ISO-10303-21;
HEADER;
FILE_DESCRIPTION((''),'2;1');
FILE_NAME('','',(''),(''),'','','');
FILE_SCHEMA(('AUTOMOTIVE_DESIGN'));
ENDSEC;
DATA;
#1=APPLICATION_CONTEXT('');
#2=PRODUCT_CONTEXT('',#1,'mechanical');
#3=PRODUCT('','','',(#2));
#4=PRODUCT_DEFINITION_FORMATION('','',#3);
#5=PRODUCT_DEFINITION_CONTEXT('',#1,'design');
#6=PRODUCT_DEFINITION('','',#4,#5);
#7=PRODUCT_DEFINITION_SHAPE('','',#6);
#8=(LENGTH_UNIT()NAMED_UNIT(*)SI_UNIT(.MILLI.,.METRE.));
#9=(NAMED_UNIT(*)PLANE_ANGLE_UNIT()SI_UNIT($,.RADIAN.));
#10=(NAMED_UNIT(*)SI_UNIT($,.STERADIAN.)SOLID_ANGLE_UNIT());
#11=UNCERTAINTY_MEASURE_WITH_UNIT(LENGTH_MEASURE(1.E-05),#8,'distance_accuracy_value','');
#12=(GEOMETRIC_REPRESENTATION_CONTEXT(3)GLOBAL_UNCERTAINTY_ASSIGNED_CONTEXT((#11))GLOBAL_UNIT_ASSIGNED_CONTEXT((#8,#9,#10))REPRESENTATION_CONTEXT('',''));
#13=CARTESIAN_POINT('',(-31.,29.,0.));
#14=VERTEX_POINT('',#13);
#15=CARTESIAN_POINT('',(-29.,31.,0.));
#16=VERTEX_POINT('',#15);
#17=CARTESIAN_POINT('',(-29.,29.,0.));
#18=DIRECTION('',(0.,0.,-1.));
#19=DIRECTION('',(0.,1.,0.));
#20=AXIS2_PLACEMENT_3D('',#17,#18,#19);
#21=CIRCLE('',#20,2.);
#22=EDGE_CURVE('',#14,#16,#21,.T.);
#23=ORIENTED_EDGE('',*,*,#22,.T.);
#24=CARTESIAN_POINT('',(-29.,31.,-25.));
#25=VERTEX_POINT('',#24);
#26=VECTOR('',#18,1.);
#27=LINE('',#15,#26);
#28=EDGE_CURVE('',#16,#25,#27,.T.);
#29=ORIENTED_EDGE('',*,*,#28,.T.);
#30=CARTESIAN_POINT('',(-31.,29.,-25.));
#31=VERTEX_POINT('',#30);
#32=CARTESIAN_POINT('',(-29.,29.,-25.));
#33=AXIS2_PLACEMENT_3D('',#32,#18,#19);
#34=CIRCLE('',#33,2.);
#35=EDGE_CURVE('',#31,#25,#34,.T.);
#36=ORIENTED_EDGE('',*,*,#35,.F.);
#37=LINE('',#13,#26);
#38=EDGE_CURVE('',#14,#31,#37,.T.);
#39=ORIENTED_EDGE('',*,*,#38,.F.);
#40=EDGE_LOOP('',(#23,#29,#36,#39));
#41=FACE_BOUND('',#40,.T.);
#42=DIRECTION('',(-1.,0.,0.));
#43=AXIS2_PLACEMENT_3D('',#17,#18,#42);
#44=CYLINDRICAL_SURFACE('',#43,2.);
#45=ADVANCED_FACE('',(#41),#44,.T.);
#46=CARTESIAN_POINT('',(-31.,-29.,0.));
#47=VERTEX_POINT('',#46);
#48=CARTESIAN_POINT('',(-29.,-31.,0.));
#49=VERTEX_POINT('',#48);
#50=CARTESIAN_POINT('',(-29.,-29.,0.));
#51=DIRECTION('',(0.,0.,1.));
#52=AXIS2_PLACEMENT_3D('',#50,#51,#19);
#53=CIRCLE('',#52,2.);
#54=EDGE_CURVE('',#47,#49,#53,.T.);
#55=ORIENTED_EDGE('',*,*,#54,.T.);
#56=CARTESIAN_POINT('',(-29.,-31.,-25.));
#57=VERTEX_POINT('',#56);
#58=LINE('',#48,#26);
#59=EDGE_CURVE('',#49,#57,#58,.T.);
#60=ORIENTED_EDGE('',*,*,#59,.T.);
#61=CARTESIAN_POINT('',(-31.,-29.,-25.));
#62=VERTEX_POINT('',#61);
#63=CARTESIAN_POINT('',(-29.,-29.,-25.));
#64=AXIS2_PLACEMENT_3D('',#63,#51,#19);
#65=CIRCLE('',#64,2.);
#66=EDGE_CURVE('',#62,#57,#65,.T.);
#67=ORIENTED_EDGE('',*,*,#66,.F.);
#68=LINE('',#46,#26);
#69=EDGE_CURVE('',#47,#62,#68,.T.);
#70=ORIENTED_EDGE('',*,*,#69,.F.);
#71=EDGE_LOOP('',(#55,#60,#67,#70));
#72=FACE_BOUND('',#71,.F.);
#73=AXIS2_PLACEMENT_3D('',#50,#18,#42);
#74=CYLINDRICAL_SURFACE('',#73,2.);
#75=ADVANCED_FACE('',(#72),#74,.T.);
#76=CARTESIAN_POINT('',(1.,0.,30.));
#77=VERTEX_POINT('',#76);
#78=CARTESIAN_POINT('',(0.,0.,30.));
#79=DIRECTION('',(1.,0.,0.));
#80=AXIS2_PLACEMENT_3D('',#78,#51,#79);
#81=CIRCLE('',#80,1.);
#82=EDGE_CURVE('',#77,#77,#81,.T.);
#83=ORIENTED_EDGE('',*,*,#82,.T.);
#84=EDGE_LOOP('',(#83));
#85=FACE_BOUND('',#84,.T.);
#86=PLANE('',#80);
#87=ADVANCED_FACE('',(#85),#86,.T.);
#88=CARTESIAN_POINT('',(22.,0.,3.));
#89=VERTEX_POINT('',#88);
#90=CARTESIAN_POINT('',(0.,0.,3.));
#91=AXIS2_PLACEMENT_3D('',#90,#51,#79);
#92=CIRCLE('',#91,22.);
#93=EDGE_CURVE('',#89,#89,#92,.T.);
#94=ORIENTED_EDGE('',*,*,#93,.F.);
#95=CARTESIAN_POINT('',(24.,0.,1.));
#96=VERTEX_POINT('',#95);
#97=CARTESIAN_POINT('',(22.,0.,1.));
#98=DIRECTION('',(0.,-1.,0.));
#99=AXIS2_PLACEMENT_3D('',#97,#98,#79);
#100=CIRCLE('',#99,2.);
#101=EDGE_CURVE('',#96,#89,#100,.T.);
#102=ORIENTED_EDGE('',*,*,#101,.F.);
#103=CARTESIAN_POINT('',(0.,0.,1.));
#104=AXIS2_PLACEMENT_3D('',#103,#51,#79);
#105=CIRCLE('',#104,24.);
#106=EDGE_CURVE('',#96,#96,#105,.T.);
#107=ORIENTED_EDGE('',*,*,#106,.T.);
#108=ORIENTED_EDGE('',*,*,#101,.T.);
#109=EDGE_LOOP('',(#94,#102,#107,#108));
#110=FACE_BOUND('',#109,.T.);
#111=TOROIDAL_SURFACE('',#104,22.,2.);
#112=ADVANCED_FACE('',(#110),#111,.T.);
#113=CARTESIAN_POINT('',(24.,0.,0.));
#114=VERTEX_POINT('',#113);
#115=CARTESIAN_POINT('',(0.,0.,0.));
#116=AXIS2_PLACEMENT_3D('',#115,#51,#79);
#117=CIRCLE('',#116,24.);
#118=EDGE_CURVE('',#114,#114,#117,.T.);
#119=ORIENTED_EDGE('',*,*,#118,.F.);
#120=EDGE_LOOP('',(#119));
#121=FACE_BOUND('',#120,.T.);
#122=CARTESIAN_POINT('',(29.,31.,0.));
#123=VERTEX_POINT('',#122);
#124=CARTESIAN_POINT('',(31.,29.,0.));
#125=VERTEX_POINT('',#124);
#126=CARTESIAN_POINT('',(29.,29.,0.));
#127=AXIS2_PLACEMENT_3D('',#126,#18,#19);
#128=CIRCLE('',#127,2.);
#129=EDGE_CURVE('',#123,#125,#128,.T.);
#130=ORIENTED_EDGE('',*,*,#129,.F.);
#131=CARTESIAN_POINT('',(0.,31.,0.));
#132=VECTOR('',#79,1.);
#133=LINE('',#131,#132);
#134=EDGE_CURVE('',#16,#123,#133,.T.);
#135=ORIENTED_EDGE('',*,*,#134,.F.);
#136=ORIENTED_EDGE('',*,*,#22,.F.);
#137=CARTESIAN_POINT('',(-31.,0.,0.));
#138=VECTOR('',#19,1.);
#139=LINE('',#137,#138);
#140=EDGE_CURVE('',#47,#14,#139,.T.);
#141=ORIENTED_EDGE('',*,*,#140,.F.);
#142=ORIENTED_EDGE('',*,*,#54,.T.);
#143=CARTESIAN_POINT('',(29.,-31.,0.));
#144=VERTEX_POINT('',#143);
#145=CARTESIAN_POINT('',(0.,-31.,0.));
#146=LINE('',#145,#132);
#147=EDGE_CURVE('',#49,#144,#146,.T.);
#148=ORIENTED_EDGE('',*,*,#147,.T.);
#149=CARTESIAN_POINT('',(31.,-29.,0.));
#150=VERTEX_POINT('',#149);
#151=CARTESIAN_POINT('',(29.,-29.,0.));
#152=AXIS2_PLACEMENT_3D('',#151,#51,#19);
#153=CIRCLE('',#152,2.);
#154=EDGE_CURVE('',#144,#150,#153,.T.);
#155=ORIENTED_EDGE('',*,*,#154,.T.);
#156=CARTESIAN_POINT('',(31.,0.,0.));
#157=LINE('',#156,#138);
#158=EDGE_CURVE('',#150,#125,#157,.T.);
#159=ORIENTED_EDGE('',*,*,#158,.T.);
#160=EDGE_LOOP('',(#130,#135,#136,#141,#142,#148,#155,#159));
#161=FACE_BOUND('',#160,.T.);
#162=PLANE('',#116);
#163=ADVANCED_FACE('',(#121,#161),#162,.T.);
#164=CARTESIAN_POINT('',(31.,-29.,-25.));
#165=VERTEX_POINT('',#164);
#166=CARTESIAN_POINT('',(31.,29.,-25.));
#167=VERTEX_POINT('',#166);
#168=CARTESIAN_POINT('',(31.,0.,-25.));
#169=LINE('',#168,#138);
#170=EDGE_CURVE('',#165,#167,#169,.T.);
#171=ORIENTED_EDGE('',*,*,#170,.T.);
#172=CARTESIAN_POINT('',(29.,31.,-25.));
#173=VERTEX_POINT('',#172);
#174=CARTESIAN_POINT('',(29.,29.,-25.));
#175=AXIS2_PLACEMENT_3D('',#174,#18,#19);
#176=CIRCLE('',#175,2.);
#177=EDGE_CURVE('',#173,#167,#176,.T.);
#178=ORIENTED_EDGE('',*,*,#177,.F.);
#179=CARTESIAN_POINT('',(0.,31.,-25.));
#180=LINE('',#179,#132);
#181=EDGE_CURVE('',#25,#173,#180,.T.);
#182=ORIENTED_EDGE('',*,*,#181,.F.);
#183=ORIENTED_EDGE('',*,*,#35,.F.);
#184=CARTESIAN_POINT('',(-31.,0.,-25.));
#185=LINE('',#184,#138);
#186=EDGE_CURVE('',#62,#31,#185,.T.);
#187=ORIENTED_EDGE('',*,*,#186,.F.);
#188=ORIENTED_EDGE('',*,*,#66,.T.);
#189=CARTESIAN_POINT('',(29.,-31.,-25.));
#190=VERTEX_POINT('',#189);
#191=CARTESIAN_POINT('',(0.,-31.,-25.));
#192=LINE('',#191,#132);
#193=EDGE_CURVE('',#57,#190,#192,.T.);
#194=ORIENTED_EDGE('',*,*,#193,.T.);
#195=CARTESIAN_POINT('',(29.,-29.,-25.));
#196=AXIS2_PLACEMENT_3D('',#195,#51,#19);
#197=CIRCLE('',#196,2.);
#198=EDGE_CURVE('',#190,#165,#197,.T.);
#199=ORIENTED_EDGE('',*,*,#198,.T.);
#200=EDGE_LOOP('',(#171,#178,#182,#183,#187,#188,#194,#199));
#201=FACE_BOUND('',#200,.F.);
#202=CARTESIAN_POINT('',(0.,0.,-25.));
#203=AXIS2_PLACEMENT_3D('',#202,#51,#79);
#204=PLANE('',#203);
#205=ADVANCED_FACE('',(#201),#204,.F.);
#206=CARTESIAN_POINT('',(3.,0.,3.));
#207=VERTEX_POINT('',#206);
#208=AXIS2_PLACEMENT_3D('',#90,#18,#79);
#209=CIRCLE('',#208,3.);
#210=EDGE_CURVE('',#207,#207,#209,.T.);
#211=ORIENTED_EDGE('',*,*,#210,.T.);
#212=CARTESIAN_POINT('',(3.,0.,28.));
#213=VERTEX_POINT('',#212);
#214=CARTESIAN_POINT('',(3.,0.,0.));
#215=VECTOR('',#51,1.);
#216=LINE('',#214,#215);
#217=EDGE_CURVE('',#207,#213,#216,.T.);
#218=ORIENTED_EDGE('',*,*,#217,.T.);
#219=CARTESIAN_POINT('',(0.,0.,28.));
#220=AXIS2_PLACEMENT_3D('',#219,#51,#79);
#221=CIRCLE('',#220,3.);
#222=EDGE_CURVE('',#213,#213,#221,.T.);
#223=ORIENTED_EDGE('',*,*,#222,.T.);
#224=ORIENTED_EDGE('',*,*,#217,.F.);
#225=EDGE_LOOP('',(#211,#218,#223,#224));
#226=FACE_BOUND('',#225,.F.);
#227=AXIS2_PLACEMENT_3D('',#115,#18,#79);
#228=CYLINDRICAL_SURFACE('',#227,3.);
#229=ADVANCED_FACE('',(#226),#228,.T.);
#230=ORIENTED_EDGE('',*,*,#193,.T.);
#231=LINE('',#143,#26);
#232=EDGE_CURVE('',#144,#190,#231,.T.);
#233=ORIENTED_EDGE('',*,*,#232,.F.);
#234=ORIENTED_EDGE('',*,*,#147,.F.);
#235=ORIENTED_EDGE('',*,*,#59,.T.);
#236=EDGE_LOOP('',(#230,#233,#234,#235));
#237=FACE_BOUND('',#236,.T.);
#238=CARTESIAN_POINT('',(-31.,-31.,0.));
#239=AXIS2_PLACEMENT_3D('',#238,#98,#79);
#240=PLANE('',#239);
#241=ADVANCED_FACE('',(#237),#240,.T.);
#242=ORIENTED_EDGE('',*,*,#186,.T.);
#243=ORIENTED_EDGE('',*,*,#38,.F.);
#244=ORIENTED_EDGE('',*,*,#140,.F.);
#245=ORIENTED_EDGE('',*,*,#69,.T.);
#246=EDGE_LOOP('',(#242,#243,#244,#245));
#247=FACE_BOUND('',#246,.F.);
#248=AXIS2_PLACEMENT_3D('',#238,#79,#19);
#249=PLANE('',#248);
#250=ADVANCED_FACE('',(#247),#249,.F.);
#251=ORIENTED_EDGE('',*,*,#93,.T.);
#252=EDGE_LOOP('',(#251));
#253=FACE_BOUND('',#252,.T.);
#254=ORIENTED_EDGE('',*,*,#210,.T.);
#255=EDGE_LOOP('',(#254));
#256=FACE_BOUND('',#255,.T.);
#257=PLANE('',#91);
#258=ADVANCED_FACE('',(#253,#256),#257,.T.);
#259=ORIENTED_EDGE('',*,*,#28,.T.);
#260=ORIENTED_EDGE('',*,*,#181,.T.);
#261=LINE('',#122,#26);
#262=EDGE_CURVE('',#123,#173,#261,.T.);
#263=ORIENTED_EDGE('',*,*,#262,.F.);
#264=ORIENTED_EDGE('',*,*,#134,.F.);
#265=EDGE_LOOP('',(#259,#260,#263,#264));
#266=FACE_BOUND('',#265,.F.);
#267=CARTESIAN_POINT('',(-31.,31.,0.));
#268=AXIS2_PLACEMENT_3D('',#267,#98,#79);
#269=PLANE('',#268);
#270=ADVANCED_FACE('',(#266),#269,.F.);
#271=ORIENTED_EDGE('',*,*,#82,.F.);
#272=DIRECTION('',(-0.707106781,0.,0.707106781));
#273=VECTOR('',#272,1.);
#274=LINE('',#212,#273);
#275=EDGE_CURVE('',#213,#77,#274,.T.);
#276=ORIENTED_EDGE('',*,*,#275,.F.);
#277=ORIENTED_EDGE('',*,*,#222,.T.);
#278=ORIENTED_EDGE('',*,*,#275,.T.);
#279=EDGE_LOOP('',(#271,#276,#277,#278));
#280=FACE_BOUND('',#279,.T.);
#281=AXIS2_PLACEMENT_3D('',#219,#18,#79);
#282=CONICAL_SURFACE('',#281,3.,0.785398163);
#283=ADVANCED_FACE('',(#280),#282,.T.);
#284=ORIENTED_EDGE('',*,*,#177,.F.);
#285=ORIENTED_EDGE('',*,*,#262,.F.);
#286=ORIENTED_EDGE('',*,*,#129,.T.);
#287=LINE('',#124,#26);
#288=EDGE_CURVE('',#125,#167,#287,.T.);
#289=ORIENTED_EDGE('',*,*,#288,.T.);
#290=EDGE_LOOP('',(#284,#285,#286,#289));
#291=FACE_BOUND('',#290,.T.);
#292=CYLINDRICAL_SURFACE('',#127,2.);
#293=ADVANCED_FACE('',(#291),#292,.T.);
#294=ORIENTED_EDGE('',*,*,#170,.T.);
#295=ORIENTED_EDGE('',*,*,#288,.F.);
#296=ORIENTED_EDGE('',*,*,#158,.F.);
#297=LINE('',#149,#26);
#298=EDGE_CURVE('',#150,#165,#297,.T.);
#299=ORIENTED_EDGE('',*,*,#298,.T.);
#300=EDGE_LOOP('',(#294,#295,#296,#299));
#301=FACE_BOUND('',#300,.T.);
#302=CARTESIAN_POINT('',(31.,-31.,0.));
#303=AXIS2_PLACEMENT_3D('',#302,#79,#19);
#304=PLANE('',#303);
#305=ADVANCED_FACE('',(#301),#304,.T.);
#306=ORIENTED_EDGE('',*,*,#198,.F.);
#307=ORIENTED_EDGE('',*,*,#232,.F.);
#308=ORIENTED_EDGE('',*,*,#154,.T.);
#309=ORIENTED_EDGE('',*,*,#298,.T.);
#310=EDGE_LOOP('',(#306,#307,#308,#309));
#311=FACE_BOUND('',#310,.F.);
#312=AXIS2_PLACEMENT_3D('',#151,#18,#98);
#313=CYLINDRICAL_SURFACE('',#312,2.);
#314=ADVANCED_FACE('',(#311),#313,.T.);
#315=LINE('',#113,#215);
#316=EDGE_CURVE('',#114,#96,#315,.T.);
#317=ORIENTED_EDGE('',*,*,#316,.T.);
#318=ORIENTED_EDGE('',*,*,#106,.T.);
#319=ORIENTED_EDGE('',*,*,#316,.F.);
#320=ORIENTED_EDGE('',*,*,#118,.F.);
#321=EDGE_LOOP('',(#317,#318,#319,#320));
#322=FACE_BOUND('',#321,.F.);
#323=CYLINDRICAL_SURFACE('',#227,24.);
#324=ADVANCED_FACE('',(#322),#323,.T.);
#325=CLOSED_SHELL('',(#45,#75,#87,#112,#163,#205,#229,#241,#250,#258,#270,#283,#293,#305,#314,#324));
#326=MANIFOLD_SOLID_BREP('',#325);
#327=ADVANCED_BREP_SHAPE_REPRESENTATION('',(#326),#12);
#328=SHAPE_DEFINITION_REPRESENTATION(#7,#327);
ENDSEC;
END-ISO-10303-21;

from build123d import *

# Parameters (mm, degrees)
F0_R     = 24
F0_R_2   = 3
F1_DEPTH = 3
F2_DEPTH = 30
F0_W     = 62
F0_H     = 62
F3_DEPTH = 25
F4_R     = 2
F5_R     = 2
F6_SIZE  = 2


with BuildPart() as f1:
    # F0 (on Top) → F1 (new body)
    with BuildSketch(Plane.XY):
        Circle(F0_R)
        Circle(F0_R_2, mode=Mode.SUBTRACT)
        Circle(F0_R_2)
    extrude(amount=F1_DEPTH)

    # F0 (on Top) → F2 (join)
    with BuildSketch(Plane.XY):
        Circle(F0_R_2)
    extrude(amount=F2_DEPTH)

    # F0 (on Top) → F3 (join)
    with BuildSketch(Plane.XY):
        Rectangle(F0_W, F0_H)
        Circle(F0_R, mode=Mode.SUBTRACT)
        Circle(F0_R)
        Circle(F0_R_2, mode=Mode.SUBTRACT)
        Circle(F0_R_2)
    extrude(amount=-F3_DEPTH)

    # F4
    f4_edges = [f1.edges().sort_by_distance(p)[0] for p in [
        (31, -31, -12.5),
        (31, 31, -12.5),
        (-31, -31, -12.5),
        (-31, 31, -12.5),
    ]]
    fillet(f4_edges, radius=F4_R)

    # F5
    f5_edges = [f1.edges().sort_by_distance(p)[0] for p in [
        (-24, 0, 3),
    ]]
    fillet(f5_edges, radius=F5_R)

    # F6
    f6_edges = [f1.edges().sort_by_distance(p)[0] for p in [
        (-3, 0, 30),
    ]]
    chamfer(f6_edges, length=F6_SIZE)


solid = f1.part
